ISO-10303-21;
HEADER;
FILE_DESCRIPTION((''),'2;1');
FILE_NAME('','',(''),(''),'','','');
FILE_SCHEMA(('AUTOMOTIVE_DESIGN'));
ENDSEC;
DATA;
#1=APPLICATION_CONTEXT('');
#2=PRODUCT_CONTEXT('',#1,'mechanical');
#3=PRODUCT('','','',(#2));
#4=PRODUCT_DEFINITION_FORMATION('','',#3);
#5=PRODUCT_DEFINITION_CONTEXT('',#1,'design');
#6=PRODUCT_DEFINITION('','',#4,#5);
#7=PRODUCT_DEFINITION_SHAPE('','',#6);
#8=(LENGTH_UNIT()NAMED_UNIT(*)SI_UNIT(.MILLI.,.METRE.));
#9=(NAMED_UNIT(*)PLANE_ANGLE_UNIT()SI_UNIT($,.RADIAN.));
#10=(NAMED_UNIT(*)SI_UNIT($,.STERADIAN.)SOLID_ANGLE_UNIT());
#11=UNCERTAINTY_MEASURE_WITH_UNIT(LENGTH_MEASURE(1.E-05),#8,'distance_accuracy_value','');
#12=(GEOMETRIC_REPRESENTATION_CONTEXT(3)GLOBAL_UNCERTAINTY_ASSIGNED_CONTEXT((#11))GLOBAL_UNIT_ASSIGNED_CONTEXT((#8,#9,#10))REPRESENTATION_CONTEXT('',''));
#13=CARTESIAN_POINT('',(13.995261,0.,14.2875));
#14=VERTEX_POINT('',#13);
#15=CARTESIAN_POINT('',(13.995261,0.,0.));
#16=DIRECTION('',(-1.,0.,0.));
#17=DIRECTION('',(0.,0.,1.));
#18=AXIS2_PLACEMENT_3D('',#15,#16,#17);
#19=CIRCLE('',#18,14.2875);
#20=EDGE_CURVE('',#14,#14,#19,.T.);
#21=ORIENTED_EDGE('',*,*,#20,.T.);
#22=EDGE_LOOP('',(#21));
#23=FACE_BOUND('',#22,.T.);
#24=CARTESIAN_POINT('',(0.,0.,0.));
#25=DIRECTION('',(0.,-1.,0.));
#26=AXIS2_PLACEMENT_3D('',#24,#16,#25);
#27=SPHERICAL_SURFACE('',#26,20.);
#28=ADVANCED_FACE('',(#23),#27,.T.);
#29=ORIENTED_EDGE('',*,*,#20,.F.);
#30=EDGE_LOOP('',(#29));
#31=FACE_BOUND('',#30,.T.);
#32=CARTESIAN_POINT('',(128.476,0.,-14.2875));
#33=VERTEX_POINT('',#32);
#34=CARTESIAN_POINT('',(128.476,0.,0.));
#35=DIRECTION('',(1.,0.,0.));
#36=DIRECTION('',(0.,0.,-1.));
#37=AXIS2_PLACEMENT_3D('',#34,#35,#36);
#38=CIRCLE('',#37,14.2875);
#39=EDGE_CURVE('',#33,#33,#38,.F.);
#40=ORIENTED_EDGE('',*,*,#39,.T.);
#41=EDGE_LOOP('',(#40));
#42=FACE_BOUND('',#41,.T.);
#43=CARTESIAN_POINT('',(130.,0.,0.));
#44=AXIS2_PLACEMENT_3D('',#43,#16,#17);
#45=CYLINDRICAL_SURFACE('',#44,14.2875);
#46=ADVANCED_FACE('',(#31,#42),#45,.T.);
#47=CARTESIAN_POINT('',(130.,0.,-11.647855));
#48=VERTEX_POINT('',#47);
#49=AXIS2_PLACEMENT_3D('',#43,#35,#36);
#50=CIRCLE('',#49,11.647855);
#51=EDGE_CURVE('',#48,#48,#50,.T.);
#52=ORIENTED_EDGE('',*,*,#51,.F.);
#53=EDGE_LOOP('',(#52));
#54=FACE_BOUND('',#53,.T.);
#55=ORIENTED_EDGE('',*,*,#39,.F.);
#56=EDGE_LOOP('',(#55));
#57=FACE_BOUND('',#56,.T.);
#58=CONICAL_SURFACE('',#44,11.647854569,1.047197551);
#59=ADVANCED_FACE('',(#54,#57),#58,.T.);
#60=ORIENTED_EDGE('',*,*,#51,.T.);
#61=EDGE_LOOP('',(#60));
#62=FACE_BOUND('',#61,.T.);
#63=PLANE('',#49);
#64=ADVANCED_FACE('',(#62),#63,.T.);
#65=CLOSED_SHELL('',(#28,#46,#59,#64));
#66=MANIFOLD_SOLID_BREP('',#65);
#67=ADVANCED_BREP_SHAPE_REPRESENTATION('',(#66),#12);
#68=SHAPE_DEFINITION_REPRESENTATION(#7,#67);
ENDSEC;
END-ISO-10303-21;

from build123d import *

# Parameters (mm, degrees)
SKETCH1_R           = 14.2875
BOSS_EXTRUDE1_DEPTH = 130
CHAMFER1_SIZE       = 1.524
CHAMFER1_SIZE2      = 2.639645431


with BuildPart() as part:
    # Sketch1 → Boss-Extrude1 (new body)
    with BuildSketch(Plane(origin=(0, 0, 0), x_dir=(0, 0, -1), z_dir=(1, 0, 0))):
        Circle(SKETCH1_R)
    extrude(amount=BOSS_EXTRUDE1_DEPTH)

    # Chamfer1
    chamfer1_edges = [part.edges().sort_by_distance(p)[0] for p in [
        (130, 0, 14.2875),
    ]]
    chamfer1_side = [part.faces().sort_by_distance(p)[0] for p in [
        (65, 0, 14.2875),
    ]]
    chamfer(chamfer1_edges, length=CHAMFER1_SIZE, length2=CHAMFER1_SIZE2, reference=chamfer1_side[0])

    # Sketch4 → Revolve1 (revolve)
    with BuildSketch(Plane.XY):
        with BuildLine():
            Line((-20, 0), (20, 0))
            ThreePointArc((20, 0), (0, 20), (-20, 0))
        make_face()
    revolve(axis=Axis((0, 0, 0), (1, 0, 0)))


solid = part.part
